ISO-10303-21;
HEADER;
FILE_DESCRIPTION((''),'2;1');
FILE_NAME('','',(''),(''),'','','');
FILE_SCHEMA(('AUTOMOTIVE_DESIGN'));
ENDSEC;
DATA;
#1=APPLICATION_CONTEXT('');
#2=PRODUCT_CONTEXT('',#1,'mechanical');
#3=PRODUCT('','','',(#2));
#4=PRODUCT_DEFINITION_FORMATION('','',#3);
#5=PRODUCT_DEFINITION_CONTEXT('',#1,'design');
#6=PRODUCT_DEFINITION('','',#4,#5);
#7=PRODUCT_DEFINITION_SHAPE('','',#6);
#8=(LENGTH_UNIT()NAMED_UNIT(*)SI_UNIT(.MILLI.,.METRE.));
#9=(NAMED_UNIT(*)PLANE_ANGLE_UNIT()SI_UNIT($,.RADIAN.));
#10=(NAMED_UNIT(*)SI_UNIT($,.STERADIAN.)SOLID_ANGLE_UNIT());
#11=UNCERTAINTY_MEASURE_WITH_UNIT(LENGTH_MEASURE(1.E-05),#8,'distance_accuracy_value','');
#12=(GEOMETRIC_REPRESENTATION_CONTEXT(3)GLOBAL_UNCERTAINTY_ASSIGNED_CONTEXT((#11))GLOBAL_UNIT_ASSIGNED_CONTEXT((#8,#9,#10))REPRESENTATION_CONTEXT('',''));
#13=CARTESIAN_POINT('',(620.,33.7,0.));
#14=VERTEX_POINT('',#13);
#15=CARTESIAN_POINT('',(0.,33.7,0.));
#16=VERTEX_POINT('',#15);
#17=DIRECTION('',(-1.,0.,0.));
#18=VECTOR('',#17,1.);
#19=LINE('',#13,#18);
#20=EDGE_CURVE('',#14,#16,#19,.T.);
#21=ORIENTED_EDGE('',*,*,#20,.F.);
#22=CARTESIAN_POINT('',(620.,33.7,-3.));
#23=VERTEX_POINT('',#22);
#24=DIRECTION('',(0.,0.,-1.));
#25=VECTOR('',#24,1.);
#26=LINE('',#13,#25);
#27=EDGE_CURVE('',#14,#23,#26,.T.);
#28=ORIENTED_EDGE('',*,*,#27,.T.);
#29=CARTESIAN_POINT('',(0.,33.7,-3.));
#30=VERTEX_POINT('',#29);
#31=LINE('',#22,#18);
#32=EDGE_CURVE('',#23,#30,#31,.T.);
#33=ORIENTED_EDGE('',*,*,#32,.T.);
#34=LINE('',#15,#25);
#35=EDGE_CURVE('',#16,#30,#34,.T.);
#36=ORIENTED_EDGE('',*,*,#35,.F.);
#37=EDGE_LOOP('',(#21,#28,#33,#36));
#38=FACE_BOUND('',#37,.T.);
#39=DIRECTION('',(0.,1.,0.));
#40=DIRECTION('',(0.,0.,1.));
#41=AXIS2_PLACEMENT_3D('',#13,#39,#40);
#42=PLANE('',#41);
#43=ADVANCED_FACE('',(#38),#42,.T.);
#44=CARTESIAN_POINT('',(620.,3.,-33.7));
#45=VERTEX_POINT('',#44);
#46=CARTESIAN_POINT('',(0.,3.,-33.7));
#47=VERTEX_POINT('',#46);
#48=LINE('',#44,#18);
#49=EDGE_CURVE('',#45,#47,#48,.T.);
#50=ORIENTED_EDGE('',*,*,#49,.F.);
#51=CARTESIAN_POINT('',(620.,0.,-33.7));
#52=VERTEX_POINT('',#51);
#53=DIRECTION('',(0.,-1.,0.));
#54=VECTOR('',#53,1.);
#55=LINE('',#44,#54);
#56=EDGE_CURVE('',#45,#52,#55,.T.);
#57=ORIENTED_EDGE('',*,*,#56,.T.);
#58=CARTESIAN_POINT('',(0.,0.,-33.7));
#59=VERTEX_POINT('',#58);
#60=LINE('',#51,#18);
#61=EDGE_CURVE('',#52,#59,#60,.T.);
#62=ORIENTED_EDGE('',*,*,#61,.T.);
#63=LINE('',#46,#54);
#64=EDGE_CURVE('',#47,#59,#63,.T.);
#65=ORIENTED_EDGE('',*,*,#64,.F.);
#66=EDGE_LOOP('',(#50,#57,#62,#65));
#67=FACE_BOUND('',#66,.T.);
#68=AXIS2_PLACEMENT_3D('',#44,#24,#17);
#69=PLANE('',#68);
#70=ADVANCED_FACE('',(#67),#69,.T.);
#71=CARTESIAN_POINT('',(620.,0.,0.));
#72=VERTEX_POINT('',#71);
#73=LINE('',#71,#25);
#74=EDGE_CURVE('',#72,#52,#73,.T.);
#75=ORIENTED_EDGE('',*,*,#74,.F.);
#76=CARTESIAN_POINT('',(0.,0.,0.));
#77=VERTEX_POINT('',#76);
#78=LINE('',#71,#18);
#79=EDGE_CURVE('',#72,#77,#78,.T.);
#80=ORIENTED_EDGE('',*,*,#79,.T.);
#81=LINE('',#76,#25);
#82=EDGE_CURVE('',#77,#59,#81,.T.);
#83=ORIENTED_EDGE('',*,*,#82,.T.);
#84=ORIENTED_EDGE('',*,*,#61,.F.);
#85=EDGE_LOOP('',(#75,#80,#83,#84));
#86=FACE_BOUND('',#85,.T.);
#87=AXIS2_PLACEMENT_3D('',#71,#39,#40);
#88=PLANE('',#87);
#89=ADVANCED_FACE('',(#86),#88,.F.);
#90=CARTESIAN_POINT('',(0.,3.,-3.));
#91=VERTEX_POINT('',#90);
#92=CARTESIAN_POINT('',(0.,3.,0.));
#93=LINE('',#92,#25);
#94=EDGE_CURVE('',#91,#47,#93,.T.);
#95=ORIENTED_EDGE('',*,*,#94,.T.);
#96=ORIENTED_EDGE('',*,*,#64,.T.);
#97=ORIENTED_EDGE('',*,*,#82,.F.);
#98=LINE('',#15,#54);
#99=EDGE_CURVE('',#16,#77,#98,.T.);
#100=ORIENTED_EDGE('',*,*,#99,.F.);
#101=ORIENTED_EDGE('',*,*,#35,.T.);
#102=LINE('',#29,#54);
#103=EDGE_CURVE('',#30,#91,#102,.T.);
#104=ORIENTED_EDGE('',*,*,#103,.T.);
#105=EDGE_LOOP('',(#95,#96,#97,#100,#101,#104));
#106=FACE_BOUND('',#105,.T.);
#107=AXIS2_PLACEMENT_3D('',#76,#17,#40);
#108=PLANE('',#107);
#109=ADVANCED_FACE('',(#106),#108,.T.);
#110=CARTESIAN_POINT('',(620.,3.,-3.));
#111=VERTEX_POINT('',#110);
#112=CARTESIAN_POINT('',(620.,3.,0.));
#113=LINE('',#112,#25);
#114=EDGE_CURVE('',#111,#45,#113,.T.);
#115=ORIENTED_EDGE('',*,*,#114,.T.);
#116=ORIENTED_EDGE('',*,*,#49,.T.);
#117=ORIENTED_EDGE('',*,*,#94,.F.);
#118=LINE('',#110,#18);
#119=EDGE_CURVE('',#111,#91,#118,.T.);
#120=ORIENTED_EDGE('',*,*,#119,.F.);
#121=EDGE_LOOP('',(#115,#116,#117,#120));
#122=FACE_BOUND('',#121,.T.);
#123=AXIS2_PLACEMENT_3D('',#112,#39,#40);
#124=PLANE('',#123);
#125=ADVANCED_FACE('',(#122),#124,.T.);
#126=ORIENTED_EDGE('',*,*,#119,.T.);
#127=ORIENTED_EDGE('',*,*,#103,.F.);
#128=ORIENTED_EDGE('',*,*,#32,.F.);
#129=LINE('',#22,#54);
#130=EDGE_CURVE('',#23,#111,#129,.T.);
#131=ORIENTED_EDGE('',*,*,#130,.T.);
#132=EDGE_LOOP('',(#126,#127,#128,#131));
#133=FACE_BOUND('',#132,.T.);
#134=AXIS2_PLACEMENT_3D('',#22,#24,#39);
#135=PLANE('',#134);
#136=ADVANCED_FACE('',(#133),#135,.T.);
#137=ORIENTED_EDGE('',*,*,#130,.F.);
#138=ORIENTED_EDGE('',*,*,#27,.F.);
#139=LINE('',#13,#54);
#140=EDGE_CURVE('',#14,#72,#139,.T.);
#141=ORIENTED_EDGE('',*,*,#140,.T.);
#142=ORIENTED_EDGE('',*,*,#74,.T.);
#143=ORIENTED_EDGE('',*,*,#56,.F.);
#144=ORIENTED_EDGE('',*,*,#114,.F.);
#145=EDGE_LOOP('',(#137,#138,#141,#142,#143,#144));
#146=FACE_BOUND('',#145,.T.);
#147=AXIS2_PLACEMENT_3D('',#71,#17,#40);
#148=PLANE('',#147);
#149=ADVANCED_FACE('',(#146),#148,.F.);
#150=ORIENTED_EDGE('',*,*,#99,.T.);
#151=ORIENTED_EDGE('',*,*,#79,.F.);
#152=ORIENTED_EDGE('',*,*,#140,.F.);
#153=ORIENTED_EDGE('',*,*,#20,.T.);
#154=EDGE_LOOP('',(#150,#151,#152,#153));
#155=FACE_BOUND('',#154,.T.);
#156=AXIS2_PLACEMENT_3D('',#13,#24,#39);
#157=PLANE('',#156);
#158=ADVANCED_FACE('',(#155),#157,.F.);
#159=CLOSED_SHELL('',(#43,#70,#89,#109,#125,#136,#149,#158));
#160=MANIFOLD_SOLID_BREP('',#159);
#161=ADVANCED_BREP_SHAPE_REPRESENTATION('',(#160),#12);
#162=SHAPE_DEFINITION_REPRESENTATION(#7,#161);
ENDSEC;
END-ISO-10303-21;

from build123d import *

# Parameters (mm, degrees)
EXTRUDE_1_DEPTH = 620


with BuildPart() as part:
    # Эскиз1 → Вытянуть-Тонкостенный1 (new body)
    with BuildSketch(Plane(origin=(0, 0, 0), x_dir=(0, 0, -1), z_dir=(1, 0, 0))):
        Polygon((0, 33.7), (0, 0), (33.7, 0), (33.7, 3), (3, 3), (3, 33.7), align=None)
    extrude(amount=EXTRUDE_1_DEPTH)


solid = part.part
